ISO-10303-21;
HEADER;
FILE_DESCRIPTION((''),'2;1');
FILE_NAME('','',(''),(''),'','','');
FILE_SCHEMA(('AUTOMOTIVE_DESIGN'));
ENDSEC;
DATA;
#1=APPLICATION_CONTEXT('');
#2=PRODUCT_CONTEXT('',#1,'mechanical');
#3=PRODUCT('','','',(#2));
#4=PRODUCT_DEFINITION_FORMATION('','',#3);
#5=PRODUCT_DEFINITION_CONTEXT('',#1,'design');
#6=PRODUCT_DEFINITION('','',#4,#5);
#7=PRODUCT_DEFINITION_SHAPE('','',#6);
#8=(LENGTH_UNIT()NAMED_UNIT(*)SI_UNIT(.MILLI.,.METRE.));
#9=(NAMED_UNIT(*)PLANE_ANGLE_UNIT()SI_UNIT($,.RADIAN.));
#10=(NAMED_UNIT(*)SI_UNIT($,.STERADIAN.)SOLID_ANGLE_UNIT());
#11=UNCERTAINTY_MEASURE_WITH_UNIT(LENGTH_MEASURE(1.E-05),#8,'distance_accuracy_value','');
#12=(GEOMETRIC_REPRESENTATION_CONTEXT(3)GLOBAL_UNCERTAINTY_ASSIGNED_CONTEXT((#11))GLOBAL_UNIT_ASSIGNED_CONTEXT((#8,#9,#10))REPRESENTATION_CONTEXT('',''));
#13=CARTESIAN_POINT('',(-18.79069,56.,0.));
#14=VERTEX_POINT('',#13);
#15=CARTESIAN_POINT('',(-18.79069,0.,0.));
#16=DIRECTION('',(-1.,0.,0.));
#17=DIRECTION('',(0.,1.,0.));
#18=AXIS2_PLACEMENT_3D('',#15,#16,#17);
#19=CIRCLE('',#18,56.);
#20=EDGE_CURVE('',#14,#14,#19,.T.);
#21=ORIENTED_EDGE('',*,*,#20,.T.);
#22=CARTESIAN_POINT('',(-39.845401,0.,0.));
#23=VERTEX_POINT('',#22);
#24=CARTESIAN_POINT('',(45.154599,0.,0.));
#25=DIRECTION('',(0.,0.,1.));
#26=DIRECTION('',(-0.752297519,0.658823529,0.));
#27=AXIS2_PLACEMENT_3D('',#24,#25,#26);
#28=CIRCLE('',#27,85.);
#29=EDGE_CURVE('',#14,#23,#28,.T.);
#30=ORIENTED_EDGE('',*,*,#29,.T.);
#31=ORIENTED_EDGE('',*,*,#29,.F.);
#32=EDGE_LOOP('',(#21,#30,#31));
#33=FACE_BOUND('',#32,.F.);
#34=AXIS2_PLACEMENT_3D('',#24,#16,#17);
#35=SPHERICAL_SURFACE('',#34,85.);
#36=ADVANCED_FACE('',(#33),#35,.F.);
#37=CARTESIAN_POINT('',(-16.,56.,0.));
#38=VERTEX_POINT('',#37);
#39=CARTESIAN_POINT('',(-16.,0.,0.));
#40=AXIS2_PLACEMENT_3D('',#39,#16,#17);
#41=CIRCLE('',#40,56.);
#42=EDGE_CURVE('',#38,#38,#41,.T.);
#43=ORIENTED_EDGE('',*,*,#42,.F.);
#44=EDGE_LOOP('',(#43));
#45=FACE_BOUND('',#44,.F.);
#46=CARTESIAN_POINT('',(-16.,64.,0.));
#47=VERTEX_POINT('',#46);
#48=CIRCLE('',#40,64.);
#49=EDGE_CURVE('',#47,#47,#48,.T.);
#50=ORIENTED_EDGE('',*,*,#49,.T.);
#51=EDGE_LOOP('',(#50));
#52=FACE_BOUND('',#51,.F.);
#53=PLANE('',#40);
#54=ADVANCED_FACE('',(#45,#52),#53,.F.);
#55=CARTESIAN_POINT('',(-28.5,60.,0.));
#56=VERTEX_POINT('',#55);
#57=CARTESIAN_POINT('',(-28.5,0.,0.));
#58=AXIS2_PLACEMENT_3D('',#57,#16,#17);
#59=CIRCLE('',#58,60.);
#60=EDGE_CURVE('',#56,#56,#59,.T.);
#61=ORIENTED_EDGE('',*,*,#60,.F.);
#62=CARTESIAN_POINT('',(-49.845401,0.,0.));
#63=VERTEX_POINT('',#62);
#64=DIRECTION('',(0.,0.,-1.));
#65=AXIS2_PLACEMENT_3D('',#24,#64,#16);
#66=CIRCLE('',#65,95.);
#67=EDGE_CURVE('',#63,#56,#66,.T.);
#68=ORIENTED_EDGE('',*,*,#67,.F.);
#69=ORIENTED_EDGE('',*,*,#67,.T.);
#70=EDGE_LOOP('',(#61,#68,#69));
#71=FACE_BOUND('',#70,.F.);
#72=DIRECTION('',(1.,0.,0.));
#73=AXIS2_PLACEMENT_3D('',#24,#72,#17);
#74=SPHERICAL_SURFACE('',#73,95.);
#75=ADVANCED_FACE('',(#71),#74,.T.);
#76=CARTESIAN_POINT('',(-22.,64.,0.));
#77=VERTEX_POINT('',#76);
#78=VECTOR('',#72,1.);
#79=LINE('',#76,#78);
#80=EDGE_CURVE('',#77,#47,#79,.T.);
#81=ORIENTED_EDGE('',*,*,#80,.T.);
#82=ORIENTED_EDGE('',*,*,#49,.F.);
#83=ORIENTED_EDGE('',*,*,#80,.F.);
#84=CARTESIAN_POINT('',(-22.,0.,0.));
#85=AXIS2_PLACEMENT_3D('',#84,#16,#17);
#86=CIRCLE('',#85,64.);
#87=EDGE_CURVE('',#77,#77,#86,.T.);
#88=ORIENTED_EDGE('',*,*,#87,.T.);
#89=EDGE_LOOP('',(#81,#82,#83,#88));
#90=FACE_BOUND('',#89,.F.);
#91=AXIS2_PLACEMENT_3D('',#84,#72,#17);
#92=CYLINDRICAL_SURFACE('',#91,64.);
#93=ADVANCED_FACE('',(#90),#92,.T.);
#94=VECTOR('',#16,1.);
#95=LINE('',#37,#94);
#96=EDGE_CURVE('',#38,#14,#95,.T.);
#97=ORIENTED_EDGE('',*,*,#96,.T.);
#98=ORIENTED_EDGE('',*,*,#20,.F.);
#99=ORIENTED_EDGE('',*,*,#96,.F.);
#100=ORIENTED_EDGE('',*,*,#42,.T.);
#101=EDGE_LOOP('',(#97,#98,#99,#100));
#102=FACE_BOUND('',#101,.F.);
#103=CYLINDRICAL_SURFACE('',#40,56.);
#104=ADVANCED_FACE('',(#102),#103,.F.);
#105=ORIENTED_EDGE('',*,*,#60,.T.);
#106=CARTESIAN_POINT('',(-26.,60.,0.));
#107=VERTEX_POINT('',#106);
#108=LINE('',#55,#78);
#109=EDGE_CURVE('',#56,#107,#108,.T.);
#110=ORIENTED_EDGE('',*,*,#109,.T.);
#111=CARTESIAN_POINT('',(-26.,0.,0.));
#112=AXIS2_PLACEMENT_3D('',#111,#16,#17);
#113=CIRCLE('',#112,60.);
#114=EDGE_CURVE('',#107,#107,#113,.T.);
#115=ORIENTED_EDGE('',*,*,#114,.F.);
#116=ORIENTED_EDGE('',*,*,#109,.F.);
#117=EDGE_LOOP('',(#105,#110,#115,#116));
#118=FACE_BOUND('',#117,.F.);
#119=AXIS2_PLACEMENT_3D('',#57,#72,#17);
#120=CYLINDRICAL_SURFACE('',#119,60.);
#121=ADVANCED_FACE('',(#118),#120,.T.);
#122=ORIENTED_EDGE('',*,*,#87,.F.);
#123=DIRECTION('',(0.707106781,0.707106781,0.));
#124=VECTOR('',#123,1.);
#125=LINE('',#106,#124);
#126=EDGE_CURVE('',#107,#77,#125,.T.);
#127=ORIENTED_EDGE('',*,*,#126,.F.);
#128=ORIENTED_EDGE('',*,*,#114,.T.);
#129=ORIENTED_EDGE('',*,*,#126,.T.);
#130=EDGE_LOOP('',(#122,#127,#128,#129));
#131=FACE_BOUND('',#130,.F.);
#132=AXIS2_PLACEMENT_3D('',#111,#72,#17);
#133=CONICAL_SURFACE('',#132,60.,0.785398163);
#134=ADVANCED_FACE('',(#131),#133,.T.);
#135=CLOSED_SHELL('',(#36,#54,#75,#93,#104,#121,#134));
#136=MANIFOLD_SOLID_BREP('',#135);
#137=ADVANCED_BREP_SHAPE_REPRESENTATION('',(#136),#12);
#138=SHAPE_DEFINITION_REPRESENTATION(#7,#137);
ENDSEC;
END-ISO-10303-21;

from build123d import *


with BuildPart() as part:
    # Sketch1 → Revolve1 (revolve)
    with BuildSketch(Plane.XY):
        with BuildLine():
            Line((-16, 64), (-16, 56))
            Line((-16, 56), (-18.790689802, 56))
            ThreePointArc((-18.790689802, 56), (-34.407796248, 29.913629212), (-39.845400687, 0))
            Line((-39.845400687, 0), (-49.845400687, 0))
            ThreePointArc((-49.845400687, 0), (-44.350112671, 31.841899011), (-28.5, 60))
            Line((-28.5, 60), (-26, 60))
            Line((-26, 60), (-22, 64))
            Line((-22, 64), (-16, 64))
        make_face()
    revolve(axis=Axis((0, 0, 0), (-1, 0, 0)))


solid = part.part
